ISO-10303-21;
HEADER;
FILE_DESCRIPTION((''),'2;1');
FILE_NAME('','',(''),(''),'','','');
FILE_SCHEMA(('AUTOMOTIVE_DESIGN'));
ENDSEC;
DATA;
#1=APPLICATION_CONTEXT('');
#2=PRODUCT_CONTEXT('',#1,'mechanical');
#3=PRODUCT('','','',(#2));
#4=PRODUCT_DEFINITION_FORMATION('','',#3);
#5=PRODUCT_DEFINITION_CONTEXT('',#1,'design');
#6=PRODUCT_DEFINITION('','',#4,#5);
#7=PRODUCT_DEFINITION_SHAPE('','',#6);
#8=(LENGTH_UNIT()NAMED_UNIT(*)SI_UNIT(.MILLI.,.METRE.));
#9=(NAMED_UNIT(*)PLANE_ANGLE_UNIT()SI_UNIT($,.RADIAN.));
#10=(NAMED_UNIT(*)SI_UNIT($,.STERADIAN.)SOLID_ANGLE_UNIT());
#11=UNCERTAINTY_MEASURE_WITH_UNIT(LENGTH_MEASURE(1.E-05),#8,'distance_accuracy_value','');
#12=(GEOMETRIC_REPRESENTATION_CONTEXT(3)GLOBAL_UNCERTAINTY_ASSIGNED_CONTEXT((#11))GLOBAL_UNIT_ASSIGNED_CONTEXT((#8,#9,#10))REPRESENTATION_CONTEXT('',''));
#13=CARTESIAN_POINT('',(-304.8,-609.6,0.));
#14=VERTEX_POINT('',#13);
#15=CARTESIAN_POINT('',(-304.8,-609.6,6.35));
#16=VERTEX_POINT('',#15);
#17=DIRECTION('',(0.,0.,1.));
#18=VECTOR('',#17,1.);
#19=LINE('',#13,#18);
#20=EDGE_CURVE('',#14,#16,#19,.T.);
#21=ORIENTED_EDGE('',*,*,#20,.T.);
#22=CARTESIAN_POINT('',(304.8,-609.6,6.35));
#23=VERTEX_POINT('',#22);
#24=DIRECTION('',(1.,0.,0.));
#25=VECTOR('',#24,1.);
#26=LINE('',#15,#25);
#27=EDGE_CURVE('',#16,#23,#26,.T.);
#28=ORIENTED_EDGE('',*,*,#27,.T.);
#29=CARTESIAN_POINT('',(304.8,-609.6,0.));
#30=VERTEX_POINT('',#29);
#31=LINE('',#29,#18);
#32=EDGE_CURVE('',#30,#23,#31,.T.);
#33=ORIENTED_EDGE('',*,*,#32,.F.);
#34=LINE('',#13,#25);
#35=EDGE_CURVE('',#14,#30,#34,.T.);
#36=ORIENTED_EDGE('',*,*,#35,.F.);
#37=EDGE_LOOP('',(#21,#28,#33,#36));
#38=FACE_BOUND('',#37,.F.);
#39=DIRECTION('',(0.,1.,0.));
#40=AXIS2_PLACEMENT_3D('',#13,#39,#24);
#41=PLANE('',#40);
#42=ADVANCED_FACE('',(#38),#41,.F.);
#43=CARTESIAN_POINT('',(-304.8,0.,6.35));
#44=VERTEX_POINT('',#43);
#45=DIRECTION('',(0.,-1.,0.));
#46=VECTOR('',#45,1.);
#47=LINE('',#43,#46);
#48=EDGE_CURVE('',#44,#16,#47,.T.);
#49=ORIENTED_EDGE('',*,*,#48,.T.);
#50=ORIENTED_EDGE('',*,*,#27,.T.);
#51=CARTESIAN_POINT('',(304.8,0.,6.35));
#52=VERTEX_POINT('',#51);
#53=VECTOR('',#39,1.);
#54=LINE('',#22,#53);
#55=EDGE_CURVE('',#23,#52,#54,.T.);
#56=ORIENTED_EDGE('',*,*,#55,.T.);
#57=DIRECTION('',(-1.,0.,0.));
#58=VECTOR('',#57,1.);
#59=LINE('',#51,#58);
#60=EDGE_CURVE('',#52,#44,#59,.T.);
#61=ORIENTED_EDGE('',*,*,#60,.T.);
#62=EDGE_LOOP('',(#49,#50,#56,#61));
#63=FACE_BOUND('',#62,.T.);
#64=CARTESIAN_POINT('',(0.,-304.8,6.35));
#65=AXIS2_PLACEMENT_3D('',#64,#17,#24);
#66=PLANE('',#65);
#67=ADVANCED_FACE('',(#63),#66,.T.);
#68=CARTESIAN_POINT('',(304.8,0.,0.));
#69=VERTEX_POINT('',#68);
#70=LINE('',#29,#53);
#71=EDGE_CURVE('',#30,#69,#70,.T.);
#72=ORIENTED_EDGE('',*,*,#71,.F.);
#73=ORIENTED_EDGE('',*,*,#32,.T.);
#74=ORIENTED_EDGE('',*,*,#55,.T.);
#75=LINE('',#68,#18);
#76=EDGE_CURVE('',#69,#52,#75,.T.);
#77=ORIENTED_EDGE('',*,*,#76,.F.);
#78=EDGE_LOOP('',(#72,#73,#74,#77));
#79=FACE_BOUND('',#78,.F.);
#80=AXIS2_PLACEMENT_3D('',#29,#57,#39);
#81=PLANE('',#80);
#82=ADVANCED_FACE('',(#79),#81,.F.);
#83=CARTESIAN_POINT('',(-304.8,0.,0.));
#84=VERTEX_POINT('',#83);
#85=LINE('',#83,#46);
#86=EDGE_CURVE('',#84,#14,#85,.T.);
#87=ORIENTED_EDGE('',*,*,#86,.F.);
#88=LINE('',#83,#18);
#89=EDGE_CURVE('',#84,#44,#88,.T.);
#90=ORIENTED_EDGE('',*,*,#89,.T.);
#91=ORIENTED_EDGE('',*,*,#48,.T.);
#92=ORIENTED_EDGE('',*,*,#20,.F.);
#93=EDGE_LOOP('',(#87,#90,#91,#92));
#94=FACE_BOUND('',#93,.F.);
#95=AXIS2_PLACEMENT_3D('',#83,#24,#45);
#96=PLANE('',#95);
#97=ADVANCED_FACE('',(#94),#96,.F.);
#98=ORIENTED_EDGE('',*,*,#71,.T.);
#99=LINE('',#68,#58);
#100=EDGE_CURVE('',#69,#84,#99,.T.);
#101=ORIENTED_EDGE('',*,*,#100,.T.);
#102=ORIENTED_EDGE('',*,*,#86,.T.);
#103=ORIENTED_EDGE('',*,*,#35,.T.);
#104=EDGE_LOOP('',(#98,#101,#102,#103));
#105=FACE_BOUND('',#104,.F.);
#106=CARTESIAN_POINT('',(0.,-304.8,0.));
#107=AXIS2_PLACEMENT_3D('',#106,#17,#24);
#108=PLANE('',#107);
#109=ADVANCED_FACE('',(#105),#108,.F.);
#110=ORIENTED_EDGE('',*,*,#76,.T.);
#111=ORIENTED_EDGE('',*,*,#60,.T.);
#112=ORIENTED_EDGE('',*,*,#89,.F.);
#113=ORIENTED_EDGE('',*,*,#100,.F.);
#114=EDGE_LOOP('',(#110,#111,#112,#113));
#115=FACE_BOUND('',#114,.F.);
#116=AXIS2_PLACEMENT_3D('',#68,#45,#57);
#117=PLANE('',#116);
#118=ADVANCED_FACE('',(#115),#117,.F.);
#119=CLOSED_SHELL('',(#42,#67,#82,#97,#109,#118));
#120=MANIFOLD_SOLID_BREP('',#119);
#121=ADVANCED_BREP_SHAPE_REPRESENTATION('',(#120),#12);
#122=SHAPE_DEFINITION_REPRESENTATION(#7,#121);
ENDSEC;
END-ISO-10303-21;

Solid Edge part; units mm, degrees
sketch "Sketch1" plane through (0, 0, 0) normal (0, 0, 1) x (1, 0, 0)
  line L0 (-304.8, -609.6) -> (304.8, -609.6)
  line L1 (304.8, -609.6) -> (304.8, 0)
  line L2 (304.8, 0) -> (-304.8, 0)
  line L3 (-304.8, 0) -> (-304.8, -609.6)
  dimension "D1" = 609.6
  dimension "D2" = 609.6
extrude "Protrusion1" add sketch "Sketch1" along normal blind 6.35
extrude "Cutout1" [suppressed]
properties material "Wood, Pine"
